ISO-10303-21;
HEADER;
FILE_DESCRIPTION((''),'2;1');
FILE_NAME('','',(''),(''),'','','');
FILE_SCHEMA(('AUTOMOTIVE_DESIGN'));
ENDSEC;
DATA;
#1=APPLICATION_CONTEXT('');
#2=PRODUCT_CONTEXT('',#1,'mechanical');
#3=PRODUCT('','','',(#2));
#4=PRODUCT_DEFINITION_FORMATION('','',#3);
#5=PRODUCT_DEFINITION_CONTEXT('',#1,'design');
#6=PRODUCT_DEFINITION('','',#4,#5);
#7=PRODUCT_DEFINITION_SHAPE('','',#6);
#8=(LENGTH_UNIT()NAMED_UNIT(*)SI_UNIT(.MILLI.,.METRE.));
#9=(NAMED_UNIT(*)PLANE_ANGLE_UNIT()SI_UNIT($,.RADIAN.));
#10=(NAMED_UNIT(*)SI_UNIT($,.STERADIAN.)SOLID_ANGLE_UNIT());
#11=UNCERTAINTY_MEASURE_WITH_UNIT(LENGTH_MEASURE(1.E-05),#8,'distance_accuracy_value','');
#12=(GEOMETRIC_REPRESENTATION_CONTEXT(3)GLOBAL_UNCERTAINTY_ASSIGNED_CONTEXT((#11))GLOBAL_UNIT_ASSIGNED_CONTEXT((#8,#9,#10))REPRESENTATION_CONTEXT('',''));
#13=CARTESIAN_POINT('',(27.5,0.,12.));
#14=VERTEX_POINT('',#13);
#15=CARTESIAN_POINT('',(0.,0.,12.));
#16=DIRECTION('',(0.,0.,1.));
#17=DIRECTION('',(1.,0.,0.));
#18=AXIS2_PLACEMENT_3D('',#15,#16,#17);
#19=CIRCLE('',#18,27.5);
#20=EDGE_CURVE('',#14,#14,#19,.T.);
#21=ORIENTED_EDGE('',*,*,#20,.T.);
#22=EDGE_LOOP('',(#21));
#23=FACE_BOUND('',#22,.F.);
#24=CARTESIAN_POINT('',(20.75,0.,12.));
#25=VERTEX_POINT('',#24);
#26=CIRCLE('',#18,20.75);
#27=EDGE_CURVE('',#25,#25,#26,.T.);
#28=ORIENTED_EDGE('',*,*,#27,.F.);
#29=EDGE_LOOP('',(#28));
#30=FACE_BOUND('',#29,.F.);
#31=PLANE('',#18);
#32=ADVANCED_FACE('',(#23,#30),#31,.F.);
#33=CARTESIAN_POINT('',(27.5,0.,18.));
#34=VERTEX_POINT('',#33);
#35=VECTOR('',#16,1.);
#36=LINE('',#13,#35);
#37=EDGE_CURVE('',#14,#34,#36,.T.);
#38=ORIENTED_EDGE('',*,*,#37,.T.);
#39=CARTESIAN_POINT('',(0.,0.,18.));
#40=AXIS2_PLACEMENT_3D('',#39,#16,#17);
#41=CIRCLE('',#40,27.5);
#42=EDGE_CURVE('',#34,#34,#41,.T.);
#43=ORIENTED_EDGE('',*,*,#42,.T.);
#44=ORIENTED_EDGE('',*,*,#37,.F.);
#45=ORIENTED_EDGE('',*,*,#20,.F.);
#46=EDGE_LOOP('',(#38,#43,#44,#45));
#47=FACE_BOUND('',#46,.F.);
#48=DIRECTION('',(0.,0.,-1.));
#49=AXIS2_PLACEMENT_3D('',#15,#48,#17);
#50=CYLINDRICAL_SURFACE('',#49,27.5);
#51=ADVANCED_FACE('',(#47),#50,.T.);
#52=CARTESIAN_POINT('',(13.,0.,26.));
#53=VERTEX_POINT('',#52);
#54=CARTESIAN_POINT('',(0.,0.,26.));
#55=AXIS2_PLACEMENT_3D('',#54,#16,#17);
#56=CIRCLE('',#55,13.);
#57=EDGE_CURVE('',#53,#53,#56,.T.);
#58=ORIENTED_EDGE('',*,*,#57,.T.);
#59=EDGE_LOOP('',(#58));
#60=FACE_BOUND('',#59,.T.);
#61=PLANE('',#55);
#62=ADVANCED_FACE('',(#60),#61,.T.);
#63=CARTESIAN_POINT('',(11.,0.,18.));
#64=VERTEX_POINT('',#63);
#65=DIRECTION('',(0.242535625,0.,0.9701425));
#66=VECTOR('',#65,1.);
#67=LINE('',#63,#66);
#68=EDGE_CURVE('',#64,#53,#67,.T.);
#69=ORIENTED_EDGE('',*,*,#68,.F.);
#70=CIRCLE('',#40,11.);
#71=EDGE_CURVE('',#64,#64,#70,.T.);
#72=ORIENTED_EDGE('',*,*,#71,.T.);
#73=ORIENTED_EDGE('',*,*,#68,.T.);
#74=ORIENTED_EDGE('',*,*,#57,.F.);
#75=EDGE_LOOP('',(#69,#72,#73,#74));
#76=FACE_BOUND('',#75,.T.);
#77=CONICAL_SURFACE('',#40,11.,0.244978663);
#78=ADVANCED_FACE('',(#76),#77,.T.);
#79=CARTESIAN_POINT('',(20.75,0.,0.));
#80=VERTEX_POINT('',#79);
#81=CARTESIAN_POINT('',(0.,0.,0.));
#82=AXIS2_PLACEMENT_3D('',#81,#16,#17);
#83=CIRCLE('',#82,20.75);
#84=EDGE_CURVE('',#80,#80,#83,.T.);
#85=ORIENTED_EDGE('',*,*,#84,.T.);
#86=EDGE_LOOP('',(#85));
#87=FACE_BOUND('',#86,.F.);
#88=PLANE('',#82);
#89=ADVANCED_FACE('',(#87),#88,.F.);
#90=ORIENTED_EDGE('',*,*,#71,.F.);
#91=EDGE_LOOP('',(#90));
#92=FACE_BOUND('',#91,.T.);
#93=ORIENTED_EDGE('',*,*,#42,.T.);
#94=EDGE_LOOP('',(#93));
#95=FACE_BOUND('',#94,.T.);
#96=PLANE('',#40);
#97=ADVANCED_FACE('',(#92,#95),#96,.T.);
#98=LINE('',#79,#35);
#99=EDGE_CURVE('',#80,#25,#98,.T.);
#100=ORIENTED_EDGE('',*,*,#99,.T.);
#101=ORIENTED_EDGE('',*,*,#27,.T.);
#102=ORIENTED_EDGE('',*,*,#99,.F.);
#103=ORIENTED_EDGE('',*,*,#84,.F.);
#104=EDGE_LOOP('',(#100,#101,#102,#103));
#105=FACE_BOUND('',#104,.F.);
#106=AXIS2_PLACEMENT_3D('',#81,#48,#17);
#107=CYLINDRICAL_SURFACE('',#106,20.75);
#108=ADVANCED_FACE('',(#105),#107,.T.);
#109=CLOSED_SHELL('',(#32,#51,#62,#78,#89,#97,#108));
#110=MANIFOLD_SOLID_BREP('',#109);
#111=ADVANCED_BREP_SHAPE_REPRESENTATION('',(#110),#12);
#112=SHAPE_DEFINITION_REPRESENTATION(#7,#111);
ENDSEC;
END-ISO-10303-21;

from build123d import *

# Parameters (mm, degrees)
CYLINDER001_R     = 27.5
CYLINDER001_DEPTH = 6
CYLINDER_R        = 20.75
CYLINDER_DEPTH    = 12


with BuildPart() as cylinder001:
    # Cylinder001 → Cylinder001 (new body)
    with BuildSketch(Plane.XY.offset(12)):
        Circle(CYLINDER001_R)
    extrude(amount=CYLINDER001_DEPTH)


with BuildPart() as cone:
    # Cone → Cone (revolve)
    with BuildSketch(Plane(origin=(0, 0, 18), x_dir=(1, 0, 0), z_dir=(0, -1, 0))):
        Polygon((0, 0), (11, 0), (13, 8), (0, 8), align=None)
    revolve(axis=Axis((0, 0, 18), (0, 0, 1)))


with BuildPart() as viewfinder_port:
    # Cylinder → Cylinder (new body)
    with BuildSketch(Plane.XY):
        Circle(CYLINDER_R)
    extrude(amount=CYLINDER_DEPTH)

    # Fusion: union Cylinder001, Cone
    add(cylinder001.part)
    add(cone.part)


solid = viewfinder_port.part
